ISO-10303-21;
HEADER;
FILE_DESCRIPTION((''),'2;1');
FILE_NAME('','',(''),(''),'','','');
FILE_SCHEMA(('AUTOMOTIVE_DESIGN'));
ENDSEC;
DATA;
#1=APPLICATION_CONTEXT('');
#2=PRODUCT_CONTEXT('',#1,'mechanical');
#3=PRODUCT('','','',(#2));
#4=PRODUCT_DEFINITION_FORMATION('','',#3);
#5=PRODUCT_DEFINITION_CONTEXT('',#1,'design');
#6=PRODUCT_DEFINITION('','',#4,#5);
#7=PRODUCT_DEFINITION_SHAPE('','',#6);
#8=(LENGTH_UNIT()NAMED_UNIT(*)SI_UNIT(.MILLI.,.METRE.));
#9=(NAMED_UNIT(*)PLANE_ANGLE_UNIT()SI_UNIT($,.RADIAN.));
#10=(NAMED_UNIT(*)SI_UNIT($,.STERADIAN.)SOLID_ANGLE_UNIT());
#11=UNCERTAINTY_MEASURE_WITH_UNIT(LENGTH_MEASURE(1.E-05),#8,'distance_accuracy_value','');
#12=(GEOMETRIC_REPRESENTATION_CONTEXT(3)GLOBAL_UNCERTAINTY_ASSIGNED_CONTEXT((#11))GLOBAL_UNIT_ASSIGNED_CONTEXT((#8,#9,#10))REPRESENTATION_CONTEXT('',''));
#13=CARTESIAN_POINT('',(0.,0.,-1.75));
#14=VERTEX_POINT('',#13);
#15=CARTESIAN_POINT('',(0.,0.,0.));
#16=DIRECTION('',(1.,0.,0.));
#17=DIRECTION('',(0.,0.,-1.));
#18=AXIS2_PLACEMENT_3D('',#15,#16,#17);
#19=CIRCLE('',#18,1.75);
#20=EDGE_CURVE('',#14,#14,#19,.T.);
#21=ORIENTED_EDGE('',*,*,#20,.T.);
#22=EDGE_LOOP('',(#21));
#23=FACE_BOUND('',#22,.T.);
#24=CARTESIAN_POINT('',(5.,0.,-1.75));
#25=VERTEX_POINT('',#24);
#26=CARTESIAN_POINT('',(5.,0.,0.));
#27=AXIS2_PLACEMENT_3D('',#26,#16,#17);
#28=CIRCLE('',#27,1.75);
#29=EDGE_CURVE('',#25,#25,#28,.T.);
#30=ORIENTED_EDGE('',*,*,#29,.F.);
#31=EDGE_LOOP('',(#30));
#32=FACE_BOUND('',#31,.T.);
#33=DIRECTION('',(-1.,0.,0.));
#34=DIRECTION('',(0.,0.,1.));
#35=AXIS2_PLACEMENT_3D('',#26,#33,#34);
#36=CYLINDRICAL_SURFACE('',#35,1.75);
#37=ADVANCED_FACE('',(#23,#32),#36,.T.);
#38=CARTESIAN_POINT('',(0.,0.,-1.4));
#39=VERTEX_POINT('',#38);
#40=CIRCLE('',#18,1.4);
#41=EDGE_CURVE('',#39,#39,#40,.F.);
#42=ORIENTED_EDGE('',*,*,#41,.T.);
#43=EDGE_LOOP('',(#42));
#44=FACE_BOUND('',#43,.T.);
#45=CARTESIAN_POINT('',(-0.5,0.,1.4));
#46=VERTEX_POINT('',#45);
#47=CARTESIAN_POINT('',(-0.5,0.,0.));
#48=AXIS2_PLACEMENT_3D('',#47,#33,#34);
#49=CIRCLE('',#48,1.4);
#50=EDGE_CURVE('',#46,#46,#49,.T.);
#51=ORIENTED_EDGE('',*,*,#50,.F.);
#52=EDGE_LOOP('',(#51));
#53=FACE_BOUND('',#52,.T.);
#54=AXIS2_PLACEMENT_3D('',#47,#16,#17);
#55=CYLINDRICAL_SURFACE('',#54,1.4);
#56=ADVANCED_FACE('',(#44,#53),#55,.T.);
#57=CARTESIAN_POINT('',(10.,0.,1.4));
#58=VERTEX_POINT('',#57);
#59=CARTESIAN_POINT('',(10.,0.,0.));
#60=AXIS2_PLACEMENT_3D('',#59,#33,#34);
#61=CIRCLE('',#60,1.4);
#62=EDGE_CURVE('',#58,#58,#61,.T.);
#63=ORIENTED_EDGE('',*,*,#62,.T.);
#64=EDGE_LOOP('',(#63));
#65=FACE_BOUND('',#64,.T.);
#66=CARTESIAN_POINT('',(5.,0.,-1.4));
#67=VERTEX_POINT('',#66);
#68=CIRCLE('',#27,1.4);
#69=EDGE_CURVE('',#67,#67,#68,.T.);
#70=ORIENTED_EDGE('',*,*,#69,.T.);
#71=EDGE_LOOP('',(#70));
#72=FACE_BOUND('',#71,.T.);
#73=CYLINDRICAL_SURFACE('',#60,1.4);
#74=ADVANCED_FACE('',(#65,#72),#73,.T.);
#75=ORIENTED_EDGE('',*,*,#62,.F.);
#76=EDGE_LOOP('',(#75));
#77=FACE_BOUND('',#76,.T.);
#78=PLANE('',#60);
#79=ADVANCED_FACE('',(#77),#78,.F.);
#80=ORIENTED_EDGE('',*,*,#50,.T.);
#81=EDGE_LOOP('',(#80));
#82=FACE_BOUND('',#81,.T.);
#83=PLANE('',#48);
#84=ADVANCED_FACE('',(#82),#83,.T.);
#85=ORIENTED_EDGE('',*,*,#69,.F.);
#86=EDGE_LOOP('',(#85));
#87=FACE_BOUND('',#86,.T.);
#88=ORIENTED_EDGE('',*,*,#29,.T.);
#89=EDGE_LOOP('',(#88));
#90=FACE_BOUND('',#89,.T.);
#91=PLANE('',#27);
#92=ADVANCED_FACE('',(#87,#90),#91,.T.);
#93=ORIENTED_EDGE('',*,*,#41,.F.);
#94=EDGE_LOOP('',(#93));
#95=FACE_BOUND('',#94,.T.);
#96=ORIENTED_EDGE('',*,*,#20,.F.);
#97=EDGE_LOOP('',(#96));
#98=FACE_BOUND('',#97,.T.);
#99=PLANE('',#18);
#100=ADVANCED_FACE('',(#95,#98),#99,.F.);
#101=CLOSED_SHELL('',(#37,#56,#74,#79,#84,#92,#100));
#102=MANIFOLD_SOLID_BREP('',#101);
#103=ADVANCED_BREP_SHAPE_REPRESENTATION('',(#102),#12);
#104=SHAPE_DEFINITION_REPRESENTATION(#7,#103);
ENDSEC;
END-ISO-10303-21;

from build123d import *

# Parameters (mm, degrees)
SKETCH1_R           = 1.75
BOSS_EXTRUDE1_DEPTH = 5
SKETCH2_R           = 1.4
BOSS_EXTRUDE2_DEPTH = 10
BOSS_EXTRUDE3_START = 0.5
SKETCH2_2_R         = 1.4
BOSS_EXTRUDE3_DEPTH = 0.5


with BuildPart() as part:
    # Sketch1 → Boss-Extrude1 (new body)
    with BuildSketch(Plane(origin=(0, 0, 0), x_dir=(0, 0, -1), z_dir=(1, 0, 0))):
        Circle(SKETCH1_R)
    extrude(amount=BOSS_EXTRUDE1_DEPTH)

    # Sketch2 → Boss-Extrude2 (add)
    with BuildSketch(Plane.ZY):
        Circle(SKETCH2_R)
    extrude(amount=-BOSS_EXTRUDE2_DEPTH)

    # Sketch2<2> → Boss-Extrude3 (add)
    with BuildSketch(Plane.ZY.offset(BOSS_EXTRUDE3_START)):
        Circle(SKETCH2_2_R)
    extrude(amount=-BOSS_EXTRUDE3_DEPTH)


solid = part.part
